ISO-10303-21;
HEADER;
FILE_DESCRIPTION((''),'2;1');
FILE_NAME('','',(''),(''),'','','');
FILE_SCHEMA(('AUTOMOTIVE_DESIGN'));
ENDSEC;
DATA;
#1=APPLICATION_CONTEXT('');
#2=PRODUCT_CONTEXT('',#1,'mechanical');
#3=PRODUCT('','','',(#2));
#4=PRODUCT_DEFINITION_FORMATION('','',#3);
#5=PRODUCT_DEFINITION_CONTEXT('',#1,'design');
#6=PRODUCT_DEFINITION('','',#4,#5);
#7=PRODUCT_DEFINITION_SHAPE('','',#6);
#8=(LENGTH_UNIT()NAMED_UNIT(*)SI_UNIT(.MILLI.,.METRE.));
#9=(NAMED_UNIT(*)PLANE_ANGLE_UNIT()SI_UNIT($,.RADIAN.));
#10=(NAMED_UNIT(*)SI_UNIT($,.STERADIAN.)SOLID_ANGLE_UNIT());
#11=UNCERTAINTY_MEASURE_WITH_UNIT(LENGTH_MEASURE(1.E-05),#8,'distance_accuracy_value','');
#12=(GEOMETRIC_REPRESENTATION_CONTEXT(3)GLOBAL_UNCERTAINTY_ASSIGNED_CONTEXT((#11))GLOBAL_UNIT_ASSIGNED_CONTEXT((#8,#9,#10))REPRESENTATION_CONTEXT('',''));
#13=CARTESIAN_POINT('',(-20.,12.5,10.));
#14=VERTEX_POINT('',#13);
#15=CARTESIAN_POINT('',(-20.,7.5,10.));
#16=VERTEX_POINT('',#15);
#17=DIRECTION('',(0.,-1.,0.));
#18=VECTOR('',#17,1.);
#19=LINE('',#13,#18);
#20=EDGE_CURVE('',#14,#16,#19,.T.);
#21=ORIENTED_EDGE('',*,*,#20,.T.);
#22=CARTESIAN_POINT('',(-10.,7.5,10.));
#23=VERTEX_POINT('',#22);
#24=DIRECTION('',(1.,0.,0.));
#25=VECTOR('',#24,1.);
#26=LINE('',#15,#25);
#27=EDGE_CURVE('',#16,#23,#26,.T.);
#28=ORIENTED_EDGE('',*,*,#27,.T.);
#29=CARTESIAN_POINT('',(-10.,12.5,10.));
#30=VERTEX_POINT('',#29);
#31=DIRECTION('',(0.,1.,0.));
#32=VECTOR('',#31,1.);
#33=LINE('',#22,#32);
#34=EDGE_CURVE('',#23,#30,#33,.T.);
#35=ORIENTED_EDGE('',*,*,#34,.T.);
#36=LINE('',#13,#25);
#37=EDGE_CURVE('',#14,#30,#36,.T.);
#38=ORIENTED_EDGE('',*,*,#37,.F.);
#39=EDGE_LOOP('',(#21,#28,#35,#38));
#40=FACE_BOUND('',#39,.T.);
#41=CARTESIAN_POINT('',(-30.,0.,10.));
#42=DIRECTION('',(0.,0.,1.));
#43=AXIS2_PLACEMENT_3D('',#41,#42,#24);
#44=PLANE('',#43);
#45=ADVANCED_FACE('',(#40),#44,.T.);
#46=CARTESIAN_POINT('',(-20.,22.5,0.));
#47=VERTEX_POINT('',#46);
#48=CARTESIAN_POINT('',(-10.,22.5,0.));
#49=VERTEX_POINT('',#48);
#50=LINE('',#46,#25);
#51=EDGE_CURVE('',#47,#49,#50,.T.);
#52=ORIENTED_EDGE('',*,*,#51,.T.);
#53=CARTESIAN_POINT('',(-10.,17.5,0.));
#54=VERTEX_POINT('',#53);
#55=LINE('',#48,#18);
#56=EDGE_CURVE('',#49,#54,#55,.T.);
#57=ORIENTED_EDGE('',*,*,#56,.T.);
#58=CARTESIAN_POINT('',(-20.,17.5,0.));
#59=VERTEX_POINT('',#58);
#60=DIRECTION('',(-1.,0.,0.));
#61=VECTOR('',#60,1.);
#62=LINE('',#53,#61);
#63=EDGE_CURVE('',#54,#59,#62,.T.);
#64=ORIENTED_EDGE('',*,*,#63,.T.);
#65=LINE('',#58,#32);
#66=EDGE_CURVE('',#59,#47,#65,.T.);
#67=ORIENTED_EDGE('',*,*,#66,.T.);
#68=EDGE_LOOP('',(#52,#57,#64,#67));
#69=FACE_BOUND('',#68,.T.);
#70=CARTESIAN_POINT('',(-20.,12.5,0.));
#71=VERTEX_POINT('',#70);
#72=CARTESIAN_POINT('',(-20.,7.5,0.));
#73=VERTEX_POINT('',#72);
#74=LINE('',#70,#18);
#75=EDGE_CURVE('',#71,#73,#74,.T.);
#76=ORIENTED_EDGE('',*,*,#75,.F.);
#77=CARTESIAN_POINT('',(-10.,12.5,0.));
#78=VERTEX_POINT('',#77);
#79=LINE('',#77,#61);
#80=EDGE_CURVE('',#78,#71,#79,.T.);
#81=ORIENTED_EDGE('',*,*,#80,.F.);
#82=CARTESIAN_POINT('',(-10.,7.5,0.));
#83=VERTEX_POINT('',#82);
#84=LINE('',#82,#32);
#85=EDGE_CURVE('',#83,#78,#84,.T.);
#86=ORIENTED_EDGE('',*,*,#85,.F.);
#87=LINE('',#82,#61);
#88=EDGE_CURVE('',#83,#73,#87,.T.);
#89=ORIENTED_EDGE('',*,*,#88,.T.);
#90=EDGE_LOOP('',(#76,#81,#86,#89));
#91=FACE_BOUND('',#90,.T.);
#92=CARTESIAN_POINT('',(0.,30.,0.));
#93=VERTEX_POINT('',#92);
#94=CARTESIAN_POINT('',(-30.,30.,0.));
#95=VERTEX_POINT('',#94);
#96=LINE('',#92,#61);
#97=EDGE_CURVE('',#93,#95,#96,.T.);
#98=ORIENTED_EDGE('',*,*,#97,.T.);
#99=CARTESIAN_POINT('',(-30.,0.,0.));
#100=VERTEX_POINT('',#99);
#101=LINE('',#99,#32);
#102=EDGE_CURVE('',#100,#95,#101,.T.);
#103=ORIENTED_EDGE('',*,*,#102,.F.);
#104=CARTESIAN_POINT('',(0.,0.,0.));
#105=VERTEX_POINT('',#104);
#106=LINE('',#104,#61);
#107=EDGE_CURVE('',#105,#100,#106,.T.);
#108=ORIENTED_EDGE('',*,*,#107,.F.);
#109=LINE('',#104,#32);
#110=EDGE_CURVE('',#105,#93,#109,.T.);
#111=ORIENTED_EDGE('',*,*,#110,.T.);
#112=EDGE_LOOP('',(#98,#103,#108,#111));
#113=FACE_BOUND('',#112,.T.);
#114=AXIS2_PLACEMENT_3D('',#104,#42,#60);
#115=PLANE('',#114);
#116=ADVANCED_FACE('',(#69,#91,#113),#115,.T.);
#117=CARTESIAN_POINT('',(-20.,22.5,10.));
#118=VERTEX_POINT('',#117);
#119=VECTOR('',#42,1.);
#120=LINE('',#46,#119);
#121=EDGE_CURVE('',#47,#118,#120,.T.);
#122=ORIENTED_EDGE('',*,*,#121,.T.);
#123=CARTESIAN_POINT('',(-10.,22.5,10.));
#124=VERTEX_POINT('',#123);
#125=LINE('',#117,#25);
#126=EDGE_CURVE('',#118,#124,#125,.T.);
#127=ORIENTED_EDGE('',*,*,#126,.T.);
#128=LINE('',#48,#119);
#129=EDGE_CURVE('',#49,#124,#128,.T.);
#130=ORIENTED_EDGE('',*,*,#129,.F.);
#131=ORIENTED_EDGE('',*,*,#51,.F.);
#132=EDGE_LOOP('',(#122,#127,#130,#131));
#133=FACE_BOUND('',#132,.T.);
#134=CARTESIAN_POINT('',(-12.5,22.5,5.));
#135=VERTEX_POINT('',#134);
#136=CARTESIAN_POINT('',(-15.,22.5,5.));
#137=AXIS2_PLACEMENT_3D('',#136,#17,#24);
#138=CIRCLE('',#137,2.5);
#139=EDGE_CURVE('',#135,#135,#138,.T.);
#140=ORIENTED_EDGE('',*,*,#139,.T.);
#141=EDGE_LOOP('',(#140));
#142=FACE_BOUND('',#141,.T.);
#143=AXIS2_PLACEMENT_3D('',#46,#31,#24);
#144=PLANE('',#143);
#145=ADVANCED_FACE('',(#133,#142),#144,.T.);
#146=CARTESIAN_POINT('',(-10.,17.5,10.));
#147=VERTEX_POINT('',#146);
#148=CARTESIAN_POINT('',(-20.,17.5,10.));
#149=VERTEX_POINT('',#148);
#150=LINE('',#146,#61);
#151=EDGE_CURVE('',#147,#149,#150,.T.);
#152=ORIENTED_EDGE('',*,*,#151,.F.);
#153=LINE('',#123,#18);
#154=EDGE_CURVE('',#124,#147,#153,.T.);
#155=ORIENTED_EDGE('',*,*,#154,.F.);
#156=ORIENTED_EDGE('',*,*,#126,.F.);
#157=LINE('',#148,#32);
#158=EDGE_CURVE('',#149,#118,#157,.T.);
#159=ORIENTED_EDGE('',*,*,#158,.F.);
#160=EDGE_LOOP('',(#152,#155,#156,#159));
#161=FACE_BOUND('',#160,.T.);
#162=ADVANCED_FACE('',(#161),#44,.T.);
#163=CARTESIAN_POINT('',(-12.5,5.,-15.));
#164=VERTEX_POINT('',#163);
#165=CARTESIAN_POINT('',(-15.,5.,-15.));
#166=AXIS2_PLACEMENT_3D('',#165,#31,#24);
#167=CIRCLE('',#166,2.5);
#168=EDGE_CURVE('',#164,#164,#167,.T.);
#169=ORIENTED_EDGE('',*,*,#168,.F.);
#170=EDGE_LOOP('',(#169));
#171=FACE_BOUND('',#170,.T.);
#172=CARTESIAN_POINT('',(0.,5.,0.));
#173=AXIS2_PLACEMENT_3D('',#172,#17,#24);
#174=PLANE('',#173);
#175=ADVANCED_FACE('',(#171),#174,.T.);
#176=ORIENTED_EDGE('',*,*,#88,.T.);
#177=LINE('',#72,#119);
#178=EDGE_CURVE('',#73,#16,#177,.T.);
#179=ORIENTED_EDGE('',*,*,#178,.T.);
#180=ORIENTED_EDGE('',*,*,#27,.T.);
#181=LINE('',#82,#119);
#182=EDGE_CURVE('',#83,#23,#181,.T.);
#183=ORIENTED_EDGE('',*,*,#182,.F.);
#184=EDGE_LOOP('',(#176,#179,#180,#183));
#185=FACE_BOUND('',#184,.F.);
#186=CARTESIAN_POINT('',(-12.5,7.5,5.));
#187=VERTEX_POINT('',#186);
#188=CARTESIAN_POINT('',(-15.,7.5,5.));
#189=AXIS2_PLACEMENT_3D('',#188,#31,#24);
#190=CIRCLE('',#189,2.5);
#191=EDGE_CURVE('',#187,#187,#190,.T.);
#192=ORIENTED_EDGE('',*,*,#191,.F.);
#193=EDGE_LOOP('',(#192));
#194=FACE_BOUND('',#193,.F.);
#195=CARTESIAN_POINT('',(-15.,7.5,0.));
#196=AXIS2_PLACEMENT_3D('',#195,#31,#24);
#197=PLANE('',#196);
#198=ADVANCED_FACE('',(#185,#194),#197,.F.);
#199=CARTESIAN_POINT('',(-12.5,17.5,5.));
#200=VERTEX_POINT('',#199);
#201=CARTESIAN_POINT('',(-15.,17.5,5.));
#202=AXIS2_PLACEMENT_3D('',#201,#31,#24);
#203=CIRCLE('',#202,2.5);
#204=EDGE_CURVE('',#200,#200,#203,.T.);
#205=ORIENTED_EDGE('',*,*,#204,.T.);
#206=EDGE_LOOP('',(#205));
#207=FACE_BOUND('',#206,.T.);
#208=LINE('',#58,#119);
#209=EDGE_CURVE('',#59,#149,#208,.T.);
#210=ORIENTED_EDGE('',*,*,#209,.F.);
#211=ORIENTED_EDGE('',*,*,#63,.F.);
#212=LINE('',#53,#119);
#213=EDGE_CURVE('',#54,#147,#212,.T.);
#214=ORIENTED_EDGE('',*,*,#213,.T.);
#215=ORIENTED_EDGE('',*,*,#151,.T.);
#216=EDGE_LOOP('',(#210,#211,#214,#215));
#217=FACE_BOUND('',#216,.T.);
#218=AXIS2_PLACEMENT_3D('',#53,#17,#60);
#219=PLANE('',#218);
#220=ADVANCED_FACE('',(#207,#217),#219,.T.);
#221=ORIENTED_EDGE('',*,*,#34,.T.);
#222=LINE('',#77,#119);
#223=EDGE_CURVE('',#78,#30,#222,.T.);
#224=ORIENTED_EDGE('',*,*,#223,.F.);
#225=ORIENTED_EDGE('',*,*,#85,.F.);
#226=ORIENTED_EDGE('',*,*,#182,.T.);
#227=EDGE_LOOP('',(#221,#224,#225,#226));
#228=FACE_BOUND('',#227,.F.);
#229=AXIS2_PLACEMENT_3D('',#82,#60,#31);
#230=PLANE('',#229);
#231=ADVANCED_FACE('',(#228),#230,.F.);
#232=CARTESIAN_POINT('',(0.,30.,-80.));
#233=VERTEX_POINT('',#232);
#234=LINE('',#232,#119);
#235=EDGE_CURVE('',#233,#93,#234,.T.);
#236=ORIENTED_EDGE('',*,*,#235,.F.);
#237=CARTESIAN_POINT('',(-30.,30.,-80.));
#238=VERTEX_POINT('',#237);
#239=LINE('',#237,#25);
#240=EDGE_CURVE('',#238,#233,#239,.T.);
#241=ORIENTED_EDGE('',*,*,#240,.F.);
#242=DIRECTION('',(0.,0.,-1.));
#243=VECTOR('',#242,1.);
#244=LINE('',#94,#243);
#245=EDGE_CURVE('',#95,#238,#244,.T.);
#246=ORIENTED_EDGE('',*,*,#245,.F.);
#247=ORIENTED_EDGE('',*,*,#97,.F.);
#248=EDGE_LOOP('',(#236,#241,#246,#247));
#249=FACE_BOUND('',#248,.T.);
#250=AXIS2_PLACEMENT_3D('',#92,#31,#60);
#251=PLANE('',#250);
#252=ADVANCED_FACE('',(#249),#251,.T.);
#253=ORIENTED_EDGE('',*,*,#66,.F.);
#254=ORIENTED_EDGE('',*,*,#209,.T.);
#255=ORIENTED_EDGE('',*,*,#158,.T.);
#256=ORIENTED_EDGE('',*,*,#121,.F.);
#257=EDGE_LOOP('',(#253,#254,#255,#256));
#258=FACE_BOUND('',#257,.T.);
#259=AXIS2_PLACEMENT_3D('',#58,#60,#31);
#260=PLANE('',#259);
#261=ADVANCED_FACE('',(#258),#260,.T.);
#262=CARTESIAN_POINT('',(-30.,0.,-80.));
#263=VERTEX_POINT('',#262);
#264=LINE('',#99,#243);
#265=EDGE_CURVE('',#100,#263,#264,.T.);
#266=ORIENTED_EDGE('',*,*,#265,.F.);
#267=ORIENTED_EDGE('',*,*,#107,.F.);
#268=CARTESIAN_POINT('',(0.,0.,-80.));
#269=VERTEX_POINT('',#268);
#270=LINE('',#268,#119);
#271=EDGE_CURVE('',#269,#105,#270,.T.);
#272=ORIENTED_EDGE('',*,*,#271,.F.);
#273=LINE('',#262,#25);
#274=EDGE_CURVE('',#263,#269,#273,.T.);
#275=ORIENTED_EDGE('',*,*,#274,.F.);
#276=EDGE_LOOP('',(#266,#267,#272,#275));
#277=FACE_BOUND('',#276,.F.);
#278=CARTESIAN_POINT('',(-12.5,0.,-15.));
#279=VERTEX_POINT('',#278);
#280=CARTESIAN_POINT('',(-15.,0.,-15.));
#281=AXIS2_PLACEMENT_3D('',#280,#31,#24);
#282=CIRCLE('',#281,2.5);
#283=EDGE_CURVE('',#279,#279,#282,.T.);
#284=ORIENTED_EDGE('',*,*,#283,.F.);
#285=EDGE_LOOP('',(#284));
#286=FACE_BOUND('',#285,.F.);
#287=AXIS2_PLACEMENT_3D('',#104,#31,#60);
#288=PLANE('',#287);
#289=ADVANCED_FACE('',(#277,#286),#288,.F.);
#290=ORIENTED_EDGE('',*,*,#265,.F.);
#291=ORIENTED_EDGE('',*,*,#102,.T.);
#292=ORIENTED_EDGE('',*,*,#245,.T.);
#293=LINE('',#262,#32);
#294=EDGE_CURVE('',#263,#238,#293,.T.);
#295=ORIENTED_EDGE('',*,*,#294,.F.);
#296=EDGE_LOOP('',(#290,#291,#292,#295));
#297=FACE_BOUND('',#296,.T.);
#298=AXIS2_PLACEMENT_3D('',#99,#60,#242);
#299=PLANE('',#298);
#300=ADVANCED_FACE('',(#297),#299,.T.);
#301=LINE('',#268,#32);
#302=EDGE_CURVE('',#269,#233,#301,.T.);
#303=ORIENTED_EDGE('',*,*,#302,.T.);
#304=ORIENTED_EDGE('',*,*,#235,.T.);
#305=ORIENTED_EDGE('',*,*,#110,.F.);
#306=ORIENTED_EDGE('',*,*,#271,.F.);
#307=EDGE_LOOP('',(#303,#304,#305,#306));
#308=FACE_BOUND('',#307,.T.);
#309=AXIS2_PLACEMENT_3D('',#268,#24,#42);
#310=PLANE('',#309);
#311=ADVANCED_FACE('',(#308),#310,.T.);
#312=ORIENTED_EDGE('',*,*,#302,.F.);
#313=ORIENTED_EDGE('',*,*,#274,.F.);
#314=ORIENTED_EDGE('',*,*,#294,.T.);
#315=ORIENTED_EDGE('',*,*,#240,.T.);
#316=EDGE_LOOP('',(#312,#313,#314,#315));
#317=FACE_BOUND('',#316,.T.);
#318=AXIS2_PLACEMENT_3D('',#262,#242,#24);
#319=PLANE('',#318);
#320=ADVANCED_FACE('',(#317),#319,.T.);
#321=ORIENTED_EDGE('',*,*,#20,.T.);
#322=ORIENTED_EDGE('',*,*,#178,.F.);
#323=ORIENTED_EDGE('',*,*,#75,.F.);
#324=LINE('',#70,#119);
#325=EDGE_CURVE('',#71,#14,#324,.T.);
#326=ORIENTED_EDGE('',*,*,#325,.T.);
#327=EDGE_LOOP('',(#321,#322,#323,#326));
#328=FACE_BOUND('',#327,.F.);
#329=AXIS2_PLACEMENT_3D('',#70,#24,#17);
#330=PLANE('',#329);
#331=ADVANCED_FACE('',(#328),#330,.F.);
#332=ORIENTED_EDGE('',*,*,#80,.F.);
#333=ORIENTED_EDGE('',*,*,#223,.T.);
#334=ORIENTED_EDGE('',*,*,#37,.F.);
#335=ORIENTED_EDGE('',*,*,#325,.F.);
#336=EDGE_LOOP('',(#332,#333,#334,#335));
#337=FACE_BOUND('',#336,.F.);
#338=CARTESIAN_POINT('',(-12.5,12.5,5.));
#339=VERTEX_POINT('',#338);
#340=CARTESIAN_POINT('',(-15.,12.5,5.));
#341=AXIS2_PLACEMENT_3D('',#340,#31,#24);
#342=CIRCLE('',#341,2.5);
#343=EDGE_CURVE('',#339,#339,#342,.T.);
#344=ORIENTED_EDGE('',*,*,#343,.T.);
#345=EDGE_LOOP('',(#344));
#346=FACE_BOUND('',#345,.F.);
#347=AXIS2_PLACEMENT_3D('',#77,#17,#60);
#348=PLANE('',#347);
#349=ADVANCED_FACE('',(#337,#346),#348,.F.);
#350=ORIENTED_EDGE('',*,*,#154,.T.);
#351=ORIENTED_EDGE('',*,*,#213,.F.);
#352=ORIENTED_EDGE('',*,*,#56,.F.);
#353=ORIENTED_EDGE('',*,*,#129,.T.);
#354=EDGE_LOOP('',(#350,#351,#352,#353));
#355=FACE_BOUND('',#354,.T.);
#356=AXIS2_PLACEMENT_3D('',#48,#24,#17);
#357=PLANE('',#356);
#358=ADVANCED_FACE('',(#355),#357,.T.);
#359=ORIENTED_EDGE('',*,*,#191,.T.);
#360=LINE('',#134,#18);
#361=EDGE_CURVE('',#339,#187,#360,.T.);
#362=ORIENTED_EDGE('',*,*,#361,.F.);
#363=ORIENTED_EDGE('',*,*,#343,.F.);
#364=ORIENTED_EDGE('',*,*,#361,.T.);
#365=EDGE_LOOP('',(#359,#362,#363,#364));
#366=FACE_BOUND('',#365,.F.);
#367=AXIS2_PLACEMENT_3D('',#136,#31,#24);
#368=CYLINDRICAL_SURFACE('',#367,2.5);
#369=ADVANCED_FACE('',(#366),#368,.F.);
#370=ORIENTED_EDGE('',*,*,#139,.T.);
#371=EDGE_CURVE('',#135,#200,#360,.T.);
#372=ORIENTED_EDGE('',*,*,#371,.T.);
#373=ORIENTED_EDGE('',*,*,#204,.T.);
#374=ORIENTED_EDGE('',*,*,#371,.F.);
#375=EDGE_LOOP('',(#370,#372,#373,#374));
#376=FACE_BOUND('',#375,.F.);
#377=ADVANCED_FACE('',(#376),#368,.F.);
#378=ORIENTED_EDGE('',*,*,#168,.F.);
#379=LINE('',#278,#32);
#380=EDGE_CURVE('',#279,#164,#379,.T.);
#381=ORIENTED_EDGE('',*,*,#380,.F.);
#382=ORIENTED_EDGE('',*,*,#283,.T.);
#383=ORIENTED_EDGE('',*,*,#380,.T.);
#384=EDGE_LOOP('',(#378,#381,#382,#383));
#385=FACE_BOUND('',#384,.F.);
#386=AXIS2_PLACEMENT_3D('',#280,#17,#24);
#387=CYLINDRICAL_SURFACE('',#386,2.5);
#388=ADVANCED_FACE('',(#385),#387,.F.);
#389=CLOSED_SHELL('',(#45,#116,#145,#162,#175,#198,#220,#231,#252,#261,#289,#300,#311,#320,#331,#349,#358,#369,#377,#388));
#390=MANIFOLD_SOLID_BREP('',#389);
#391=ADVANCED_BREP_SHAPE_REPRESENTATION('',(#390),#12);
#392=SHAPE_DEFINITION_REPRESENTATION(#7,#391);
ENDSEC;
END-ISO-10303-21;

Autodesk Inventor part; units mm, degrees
ref_plane "YZ Plane" through (0, 0, 0) normal (1, 0, 0) x (0, 1, 0)
ref_plane "XZ Plane" through (0, 0, 0) normal (0, 1, 0) x (-1, 0, 0)
ref_plane "XY Plane" through (0, 0, 0) normal (0, 0, 1) x (1, 0, 0)
sketch "Sketch1" plane through (0, 0, 0) normal (0, 1, 0) x (-1, 0, 0)
  line L0 (0, 0) -> (30, 0)
  line L1 (30, 0) -> (30, -80)
  line L2 (30, -80) -> (0, -80)
  line L3 (0, -80) -> (0, 0)
  dimension "d0" = 30
  dimension "d1" = 80
extrude "Extrusion1" add sketch "Sketch1" along normal blind 30
sketch "Sketch2" plane through (-30, 0, 0) normal (0, 0, 1) x (1, 0, 0)
  line L0 (30, 0) -> (0, 0) projected
  line L1 (15, 0) -> (15, 7.5)
  line L2 (15, 7.5) -> (20, 7.5)
  line L3 (20, 7.5) -> (20, 12.5)
  line L4 (20, 12.5) -> (15, 12.5)
  line L5 (15, 12.5) -> (15, 7.5)
  line L6 (15, 12.5) -> (10, 12.5)
  line L7 (10, 12.5) -> (10, 7.5)
  line L8 (10, 7.5) -> (15, 7.5)
  line L9 (15, 7.5) -> (15, 12.5)
  line L10 (10, 12.5) -> (20, 12.5)
  line L11 (20, 12.5) -> (20, 17.5)
  line L12 (20, 17.5) -> (10, 17.5)
  line L13 (10, 17.5) -> (10, 12.5)
  line L14 (20, 17.5) -> (10, 17.5)
  line L15 (10, 17.5) -> (10, 22.5)
  line L16 (10, 22.5) -> (20, 22.5)
  line L17 (20, 22.5) -> (20, 17.5)
  dimension "d4" = 7.5
  dimension "d5" = 5
  dimension "d6" = 5
  dimension "d7" = 5
  dimension "d8" = 5
  dimension "d9" = 5
  dimension "d10" = 5
extrude "Extrusion2" add sketch "Sketch2" along normal blind 10 contours L5 L4 L3 L2 | L8 L7 L6 L5 | L12 L15 L16 L17
sketch "Sketch3" plane through (-20, 22.5, 0) normal (0, 1, 0) x (1, 0, 0)
  line L0 (0, 0) -> (0, -10) projected
  line L1 (0, -5) -> (10, -5)
  line L2 (10, 0) -> (10, -10) projected
  circle A0 centre (5, -5) radius 2.5
  point P0 (20, 0)
  dimension "d13" = 5
extrude "Extrusion3" cut sketch "Sketch3" against normal through all
sketch "Sketch4" plane through (0, 0, 0) normal (0, -1, 0) x (1, 0, 0)
  line L0 (-10, 0) -> (-20, 0) projected
  line L1 (-15, 0) -> (-15, -15)
  circle A0 centre (-15, -15) radius 2.5
  point P0 (0, 0)
  dimension "d16" = 15
  dimension "d17" = 5
extrude "Extrusion4" cut sketch "Sketch4" against normal blind 5
properties part number "tail"
